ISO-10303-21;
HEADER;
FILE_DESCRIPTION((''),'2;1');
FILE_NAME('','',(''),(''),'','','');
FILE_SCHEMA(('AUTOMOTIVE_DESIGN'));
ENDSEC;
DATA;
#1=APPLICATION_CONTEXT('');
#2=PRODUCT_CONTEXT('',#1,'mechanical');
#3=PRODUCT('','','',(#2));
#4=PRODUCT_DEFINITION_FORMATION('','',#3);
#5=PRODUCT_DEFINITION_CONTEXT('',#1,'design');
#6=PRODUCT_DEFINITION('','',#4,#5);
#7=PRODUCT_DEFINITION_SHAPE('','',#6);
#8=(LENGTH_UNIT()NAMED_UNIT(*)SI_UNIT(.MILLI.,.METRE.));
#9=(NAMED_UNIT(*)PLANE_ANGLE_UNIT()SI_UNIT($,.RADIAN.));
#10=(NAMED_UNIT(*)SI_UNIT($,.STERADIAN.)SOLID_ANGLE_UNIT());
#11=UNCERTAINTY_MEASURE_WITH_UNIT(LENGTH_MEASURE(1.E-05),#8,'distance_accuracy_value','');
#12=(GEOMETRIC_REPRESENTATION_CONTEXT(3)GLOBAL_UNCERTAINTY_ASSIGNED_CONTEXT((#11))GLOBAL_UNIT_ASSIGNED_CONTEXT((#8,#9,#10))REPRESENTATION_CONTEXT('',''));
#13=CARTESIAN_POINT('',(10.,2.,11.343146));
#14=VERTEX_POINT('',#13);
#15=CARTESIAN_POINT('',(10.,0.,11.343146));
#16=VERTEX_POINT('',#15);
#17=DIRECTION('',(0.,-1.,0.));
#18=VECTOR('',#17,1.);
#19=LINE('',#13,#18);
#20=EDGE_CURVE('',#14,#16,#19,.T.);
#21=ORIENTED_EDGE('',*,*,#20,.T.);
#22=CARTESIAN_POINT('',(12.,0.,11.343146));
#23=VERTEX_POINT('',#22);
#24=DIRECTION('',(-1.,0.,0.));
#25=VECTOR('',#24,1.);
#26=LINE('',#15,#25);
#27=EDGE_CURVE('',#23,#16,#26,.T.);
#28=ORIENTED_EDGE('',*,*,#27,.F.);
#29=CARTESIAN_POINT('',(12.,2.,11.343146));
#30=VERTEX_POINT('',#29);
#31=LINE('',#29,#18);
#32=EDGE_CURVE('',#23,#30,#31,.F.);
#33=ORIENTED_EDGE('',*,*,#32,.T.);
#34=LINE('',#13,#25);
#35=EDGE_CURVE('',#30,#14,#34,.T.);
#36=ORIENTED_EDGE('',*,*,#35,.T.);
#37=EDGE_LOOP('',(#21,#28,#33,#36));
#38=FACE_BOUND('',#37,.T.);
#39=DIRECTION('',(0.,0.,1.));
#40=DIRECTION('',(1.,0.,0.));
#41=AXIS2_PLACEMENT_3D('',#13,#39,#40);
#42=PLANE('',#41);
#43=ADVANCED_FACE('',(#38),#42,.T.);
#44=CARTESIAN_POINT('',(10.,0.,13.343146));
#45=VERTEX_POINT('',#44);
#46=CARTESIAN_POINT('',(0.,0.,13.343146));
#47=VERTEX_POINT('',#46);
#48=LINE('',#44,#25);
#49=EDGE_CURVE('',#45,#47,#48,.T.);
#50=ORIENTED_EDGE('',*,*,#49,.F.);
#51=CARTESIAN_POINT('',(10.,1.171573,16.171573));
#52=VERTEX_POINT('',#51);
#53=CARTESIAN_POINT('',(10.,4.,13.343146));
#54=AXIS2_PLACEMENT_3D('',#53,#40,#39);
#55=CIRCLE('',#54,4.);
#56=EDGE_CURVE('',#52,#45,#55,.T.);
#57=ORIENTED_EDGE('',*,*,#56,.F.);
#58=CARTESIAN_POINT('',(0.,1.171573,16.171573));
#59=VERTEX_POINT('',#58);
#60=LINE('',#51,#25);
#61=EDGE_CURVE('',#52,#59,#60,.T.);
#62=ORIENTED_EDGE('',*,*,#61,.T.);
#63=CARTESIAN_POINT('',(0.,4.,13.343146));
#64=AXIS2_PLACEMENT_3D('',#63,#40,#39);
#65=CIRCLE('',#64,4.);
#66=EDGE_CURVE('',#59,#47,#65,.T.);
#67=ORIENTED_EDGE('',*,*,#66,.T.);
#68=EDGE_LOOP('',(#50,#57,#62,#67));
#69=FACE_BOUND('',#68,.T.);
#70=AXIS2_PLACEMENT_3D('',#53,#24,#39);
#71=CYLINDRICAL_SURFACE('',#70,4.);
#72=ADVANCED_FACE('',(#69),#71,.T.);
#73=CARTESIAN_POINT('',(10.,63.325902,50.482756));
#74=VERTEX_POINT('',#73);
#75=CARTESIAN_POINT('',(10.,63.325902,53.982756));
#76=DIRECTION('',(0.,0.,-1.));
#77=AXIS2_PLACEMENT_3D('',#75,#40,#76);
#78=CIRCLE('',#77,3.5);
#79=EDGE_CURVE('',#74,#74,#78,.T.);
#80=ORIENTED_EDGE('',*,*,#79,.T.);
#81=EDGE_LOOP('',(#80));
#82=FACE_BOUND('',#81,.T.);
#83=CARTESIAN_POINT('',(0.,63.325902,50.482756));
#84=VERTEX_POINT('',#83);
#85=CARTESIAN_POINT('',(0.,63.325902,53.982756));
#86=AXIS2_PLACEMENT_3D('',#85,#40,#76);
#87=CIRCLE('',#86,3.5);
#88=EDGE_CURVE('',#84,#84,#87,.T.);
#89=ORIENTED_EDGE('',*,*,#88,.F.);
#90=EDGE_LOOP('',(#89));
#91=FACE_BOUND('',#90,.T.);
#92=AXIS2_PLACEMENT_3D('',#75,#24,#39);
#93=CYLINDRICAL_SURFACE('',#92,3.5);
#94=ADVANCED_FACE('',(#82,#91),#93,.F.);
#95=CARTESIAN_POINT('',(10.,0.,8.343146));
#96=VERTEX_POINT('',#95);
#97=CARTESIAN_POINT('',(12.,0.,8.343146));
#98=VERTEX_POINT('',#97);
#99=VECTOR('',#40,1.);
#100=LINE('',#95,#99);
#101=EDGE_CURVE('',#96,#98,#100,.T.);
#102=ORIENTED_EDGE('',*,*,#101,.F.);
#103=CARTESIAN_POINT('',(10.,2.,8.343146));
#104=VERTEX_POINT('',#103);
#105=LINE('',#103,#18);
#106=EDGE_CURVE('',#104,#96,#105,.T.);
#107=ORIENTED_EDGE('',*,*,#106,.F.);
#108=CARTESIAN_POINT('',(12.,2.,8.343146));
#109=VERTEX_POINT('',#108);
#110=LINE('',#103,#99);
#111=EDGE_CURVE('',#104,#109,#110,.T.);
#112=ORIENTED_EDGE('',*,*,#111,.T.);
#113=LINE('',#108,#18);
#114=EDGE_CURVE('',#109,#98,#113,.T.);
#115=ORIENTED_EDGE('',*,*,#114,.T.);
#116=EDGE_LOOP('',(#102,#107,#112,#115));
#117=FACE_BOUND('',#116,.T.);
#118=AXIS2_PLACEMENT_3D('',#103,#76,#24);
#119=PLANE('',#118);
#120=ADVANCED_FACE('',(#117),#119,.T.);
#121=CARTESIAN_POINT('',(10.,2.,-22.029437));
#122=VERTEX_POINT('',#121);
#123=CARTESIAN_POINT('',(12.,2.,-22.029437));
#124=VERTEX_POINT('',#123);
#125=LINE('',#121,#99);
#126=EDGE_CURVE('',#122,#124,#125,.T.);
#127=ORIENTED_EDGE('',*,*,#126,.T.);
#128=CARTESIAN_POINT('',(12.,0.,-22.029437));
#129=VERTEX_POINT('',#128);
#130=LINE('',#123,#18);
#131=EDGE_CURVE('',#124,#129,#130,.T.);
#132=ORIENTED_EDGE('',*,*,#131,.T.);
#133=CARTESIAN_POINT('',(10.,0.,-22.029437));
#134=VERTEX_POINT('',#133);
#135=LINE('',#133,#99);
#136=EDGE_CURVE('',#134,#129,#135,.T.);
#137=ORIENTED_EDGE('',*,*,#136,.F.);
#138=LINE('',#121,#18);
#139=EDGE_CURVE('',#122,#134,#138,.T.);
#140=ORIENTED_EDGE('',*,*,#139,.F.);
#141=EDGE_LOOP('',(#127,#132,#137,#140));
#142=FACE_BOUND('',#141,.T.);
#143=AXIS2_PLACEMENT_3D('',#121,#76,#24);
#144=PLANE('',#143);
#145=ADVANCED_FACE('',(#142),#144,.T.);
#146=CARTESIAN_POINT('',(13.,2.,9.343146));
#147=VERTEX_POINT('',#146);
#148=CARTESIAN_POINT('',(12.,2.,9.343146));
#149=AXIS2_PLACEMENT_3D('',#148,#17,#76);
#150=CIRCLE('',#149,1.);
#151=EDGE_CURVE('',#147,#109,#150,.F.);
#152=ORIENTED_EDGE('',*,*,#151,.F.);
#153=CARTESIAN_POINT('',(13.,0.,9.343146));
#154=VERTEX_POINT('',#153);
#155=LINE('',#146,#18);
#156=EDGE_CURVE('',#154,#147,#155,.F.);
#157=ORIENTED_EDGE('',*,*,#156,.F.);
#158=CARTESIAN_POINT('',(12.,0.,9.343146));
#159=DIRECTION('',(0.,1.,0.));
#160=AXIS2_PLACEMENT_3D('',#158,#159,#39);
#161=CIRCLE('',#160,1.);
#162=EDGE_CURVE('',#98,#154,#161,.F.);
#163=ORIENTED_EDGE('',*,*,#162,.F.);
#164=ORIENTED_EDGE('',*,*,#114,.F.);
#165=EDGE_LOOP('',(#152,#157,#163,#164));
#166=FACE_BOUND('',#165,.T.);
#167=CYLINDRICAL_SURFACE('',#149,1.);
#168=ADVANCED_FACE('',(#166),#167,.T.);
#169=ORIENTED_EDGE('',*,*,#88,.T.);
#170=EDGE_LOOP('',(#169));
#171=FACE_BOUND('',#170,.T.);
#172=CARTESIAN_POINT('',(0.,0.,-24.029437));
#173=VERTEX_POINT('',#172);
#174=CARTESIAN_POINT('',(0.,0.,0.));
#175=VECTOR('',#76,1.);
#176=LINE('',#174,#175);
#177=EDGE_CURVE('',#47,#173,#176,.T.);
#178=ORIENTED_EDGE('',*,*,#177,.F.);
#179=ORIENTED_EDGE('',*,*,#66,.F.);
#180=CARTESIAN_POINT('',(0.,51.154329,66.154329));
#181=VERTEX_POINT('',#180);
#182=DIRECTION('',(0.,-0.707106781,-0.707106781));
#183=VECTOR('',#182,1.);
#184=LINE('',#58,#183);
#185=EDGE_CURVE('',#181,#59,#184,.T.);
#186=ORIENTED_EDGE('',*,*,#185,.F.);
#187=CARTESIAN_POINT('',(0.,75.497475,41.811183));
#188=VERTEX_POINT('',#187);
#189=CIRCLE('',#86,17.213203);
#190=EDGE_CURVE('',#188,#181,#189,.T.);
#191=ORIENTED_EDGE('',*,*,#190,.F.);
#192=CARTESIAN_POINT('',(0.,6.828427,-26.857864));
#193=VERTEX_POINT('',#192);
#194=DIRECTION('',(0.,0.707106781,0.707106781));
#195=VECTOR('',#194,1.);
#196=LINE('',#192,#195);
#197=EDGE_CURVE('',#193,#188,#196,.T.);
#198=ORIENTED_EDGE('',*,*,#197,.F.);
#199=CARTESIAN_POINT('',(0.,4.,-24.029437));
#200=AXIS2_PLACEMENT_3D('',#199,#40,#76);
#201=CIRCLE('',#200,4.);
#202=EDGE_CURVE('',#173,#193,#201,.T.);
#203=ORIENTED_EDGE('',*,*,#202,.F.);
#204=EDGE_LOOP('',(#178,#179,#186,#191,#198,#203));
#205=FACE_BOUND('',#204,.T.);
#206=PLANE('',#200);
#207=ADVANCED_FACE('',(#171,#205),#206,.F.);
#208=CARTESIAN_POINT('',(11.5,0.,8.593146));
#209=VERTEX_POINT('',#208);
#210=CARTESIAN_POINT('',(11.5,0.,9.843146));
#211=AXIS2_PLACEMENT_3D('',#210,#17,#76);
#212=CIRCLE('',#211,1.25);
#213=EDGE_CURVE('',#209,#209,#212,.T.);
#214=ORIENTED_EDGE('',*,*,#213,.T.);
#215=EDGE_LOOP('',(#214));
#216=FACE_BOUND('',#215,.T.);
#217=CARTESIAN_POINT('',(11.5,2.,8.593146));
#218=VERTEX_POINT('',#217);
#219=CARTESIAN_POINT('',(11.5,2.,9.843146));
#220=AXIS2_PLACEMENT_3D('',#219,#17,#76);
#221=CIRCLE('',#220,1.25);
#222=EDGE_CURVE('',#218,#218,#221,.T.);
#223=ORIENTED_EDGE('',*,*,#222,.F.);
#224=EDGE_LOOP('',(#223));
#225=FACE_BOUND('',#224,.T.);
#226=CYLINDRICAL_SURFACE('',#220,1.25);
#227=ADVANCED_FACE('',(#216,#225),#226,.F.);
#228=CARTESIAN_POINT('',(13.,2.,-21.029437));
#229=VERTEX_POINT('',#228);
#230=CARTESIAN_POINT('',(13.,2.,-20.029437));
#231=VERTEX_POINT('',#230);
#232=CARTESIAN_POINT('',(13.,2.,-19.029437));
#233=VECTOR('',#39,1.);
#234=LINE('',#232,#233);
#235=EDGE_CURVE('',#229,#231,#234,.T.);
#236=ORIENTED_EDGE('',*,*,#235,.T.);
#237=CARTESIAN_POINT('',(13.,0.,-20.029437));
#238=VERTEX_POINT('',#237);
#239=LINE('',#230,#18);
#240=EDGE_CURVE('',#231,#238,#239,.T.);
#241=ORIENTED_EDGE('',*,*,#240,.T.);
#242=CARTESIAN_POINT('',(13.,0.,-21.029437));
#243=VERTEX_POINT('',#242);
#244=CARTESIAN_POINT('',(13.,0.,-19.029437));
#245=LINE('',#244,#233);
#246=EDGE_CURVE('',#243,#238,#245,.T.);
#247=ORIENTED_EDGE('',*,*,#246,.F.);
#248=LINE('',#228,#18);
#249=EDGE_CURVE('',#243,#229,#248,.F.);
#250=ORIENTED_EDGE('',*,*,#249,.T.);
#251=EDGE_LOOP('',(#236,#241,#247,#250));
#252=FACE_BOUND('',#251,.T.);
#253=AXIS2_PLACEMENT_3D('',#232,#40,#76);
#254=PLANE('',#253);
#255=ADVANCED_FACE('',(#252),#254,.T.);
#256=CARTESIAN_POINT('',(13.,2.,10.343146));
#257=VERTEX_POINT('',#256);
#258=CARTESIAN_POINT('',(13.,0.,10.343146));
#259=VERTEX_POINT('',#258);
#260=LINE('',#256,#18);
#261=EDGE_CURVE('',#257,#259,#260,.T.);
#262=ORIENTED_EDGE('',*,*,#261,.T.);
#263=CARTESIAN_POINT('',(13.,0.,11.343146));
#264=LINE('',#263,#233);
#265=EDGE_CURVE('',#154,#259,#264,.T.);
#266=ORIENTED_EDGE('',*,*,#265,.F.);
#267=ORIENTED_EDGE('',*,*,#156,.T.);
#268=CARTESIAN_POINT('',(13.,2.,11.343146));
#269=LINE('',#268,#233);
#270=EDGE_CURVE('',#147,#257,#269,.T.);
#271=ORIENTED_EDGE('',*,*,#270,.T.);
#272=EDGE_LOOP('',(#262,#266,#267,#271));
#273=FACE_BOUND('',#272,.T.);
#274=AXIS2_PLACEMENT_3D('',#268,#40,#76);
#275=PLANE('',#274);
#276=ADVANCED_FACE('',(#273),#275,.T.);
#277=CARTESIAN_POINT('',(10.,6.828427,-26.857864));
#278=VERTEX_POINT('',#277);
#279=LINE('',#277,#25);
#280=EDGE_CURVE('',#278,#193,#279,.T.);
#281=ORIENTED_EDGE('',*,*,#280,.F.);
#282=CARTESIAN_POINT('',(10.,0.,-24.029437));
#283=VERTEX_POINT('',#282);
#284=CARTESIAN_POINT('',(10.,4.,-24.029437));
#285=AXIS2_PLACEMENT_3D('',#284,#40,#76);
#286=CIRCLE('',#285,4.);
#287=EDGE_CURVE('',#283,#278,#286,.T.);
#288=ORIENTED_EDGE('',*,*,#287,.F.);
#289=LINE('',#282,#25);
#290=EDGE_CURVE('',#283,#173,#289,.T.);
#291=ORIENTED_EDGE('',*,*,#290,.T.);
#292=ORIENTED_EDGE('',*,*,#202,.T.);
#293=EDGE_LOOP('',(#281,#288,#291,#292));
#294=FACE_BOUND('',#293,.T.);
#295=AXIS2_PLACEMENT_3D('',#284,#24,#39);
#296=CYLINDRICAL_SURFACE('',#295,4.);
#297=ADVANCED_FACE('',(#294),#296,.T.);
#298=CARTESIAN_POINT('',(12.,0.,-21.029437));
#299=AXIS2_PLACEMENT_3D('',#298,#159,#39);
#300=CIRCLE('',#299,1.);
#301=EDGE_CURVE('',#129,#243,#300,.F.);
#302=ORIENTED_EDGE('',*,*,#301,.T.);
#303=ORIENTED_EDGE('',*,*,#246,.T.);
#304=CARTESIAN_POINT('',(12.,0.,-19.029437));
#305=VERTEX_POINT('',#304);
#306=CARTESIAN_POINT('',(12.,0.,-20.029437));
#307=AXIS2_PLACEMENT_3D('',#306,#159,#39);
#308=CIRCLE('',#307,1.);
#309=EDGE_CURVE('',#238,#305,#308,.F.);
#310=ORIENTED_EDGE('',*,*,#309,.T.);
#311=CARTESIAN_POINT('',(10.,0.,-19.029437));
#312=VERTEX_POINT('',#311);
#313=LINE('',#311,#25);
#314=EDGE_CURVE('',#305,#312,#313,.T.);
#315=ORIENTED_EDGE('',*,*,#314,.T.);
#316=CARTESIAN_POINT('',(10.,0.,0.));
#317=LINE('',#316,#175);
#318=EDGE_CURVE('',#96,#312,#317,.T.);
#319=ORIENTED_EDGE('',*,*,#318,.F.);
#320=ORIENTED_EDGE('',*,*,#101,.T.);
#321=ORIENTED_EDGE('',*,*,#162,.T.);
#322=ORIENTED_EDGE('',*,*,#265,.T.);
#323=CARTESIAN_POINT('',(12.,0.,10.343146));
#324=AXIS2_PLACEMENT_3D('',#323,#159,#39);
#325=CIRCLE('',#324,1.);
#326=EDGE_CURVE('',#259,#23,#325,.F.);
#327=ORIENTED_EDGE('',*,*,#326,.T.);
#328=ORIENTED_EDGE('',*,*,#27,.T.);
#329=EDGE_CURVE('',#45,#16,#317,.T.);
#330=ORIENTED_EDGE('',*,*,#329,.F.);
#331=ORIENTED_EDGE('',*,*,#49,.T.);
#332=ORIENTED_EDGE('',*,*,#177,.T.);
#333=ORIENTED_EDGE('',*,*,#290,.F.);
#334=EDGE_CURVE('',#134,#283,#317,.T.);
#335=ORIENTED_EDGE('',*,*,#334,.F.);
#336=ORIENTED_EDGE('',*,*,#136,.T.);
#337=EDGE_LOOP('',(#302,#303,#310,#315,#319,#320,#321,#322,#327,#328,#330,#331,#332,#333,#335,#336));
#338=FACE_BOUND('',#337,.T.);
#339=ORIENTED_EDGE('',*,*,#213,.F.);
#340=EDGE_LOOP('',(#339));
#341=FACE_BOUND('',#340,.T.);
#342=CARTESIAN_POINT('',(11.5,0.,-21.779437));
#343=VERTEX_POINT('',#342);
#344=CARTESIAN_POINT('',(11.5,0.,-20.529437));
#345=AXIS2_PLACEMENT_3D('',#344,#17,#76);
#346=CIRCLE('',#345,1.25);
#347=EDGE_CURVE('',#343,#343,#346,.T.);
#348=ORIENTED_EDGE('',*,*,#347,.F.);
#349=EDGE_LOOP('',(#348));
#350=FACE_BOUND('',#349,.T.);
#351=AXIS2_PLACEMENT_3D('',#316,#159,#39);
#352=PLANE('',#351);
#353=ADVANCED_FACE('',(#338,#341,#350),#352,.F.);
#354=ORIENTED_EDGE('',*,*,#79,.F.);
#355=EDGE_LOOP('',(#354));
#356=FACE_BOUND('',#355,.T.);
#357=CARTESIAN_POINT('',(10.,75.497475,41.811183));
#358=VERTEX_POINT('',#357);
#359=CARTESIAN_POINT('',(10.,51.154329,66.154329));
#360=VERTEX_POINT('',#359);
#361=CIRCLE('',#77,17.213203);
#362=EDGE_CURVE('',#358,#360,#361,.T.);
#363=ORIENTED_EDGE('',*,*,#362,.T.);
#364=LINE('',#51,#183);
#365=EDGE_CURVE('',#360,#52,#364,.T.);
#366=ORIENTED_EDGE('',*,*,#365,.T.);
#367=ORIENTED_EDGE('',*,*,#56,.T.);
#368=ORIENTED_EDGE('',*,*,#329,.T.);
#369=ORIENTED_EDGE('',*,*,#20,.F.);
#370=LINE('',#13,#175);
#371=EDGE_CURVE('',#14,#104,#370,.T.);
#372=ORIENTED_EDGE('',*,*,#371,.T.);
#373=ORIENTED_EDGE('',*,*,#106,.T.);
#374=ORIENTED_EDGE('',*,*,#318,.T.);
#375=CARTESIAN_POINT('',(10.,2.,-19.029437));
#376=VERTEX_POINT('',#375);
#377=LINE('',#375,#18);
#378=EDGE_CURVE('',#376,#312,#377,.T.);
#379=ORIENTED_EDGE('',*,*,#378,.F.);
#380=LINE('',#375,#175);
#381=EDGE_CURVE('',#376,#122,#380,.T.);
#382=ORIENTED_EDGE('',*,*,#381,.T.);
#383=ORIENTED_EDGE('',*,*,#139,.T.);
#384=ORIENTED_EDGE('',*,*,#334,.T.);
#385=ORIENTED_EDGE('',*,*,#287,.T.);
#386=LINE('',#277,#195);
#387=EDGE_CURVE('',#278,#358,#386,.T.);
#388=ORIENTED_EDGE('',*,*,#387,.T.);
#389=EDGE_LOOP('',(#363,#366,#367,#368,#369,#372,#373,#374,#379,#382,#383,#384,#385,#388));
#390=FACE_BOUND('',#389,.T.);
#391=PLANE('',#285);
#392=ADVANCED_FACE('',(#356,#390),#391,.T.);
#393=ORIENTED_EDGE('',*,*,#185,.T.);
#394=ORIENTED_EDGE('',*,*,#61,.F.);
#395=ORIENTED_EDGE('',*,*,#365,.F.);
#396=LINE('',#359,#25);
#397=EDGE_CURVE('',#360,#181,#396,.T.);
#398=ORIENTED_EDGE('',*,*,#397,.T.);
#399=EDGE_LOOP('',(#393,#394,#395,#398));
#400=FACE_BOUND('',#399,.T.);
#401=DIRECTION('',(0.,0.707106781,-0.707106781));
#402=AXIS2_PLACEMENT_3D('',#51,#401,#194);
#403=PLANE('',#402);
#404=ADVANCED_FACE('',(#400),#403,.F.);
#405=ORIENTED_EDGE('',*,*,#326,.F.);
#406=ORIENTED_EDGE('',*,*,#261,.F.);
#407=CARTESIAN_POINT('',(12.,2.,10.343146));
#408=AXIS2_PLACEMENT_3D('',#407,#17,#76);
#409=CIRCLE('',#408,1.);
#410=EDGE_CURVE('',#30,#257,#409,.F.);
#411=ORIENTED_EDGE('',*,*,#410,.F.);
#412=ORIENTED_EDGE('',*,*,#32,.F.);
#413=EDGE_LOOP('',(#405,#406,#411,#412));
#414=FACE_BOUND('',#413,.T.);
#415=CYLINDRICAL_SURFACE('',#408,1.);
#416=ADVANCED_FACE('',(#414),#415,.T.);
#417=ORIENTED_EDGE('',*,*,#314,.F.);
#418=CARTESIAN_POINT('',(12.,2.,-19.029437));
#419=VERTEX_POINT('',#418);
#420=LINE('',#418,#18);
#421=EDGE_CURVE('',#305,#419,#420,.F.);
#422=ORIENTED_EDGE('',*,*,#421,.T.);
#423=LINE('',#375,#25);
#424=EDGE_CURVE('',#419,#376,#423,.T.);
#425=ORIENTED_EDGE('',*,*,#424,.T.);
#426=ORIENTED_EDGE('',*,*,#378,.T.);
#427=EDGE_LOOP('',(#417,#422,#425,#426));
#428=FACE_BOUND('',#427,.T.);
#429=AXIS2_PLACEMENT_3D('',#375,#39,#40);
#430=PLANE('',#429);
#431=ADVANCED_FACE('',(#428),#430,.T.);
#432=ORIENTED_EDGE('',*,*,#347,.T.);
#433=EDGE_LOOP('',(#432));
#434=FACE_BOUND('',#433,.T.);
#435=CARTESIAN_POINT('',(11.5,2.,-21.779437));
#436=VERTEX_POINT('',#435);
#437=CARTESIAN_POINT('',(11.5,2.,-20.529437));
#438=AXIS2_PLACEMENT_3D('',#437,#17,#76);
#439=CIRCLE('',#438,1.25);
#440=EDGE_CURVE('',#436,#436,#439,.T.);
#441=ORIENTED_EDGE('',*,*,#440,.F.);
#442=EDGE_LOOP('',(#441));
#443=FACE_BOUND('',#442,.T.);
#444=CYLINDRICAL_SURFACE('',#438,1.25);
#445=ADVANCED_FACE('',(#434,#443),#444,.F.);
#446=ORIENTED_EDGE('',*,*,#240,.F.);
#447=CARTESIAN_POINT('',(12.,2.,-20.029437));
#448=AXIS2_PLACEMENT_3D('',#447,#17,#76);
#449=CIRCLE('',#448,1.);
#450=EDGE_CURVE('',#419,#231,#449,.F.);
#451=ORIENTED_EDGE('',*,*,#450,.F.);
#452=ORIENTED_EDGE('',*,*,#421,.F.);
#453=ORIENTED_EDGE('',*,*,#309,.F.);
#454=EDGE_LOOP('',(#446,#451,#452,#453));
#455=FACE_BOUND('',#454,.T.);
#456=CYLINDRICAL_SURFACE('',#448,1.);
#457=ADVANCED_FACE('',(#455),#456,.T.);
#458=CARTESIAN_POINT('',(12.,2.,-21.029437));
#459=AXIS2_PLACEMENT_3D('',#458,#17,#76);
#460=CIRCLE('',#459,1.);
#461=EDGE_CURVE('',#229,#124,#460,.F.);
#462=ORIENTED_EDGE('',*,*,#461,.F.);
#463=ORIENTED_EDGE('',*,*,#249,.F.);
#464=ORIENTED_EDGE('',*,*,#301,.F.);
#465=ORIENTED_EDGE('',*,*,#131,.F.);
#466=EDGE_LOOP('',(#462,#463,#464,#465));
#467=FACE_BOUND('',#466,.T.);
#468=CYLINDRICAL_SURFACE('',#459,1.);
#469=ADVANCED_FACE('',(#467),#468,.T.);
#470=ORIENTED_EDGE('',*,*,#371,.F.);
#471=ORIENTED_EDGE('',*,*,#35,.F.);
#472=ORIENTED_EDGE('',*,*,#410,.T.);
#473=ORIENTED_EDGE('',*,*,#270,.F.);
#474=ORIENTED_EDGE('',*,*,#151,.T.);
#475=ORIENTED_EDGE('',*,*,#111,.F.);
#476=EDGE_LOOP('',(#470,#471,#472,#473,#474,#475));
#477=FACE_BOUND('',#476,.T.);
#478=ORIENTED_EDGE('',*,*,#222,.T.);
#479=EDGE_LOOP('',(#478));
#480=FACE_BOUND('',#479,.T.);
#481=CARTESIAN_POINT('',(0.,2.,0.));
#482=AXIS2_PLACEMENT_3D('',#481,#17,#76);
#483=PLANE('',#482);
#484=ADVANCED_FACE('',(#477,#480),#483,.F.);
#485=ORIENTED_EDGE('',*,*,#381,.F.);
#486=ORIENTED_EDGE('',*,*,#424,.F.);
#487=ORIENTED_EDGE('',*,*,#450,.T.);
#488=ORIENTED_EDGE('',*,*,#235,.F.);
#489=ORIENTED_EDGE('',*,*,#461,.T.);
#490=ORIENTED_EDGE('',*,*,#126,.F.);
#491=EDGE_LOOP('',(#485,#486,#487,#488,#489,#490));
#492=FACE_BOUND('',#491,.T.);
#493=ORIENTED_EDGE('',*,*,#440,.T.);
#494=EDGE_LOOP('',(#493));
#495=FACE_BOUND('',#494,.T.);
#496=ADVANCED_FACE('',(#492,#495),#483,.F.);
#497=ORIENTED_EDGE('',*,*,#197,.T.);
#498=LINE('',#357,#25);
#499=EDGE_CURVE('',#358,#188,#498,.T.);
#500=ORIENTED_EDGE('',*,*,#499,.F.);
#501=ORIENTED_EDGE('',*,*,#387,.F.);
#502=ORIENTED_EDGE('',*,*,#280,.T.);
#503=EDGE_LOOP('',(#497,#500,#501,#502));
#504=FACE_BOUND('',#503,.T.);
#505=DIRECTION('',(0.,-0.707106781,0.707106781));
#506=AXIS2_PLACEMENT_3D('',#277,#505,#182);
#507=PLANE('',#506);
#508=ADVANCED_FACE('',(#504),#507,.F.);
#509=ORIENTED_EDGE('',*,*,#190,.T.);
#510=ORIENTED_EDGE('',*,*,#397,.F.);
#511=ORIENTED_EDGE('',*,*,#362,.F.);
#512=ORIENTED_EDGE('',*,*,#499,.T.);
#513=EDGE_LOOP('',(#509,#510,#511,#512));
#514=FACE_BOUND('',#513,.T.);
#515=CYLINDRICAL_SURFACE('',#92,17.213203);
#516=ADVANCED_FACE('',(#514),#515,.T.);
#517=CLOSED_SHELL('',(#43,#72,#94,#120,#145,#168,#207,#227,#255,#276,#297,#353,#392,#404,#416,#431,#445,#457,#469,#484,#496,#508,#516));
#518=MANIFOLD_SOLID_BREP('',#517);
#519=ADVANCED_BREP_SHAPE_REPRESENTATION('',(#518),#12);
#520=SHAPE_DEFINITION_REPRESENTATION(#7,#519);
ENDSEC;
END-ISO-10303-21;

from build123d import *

# Parameters (mm, degrees)
SKETCH1_R           = 3.5
BOSS_EXTRUDE2_DEPTH = 10
SKETCH2_W           = 3
SKETCH2_H           = 3
SKETCH2_R           = 1.25
BOSS_EXTRUDE3_DEPTH = 2
FILLET2_R           = 1
FILLET6_R           = 1
FILLET7_R           = 1


with BuildPart() as part:
    # Sketch1 → Boss-Extrude2 (new body)
    with BuildSketch(Plane(origin=(0, 0, 0), x_dir=(0, 0, -1), z_dir=(1, 0, 0))):
        with BuildLine():
            Line((0, 0), (-13.343145751, 0))
            ThreePointArc((-13.343145751, 0), (-14.87387948, 0.30448187), (-16.171572875, 1.171572875))
            Line((-16.171572875, 1.171572875), (-66.154328925, 51.154328925))
            ThreePointArc((-66.154328925, 51.154328925), (-66.154328925, 75.497474674), (-41.811183175, 75.497474674))
            Line((-41.811183175, 75.497474674), (26.857864374, 6.828427125))
            ThreePointArc((26.857864374, 6.828427125), (27.72495538, 2.469266271), (24.029437249, 0))
            Line((24.029437249, 0), (0, 0))
        make_face()
        with Locations((-53.98275605, 63.3259018)):
            Circle(SKETCH1_R, mode=Mode.SUBTRACT)
    extrude(amount=BOSS_EXTRUDE2_DEPTH)

    # Sketch2 → Boss-Extrude3 (add)
    # profile 1 of 2: a face of its own
    with BuildSketch(Plane.XZ):
        with Locations((11.5, 9.843145751)):
            Rectangle(SKETCH2_W, SKETCH2_H)
        with Locations(Location((11.5, 9.843145751, 0), (0, 0, 270))):
            Circle(SKETCH2_R, mode=Mode.SUBTRACT)
    # profile 2 of 2: a face of its own
    with BuildSketch(Plane.XZ):
        with Locations((11.5, -20.529437249)):
            Rectangle(SKETCH2_W, SKETCH2_H)
        with Locations(Location((11.5, -20.529437249, 0), (0, 0, 270))):
            Circle(SKETCH2_R, mode=Mode.SUBTRACT)
    extrude(amount=-BOSS_EXTRUDE3_DEPTH)

    # Fillet2
    fillet2_edges = [part.edges().sort_by_distance(p)[0] for p in [
        (13, 1, 11.343145751),
    ]]
    fillet(fillet2_edges, radius=FILLET2_R)

    # Fillet6
    fillet6_edges = [part.edges().sort_by_distance(p)[0] for p in [
        (13, 1, 8.343145751),
    ]]
    fillet(fillet6_edges, radius=FILLET6_R)

    # Fillet7
    fillet7_edges = [part.edges().sort_by_distance(p)[0] for p in [
        (13, 1, -19.029437249),
        (13, 1, -22.029437249),
    ]]
    fillet(fillet7_edges, radius=FILLET7_R)


solid = part.part
